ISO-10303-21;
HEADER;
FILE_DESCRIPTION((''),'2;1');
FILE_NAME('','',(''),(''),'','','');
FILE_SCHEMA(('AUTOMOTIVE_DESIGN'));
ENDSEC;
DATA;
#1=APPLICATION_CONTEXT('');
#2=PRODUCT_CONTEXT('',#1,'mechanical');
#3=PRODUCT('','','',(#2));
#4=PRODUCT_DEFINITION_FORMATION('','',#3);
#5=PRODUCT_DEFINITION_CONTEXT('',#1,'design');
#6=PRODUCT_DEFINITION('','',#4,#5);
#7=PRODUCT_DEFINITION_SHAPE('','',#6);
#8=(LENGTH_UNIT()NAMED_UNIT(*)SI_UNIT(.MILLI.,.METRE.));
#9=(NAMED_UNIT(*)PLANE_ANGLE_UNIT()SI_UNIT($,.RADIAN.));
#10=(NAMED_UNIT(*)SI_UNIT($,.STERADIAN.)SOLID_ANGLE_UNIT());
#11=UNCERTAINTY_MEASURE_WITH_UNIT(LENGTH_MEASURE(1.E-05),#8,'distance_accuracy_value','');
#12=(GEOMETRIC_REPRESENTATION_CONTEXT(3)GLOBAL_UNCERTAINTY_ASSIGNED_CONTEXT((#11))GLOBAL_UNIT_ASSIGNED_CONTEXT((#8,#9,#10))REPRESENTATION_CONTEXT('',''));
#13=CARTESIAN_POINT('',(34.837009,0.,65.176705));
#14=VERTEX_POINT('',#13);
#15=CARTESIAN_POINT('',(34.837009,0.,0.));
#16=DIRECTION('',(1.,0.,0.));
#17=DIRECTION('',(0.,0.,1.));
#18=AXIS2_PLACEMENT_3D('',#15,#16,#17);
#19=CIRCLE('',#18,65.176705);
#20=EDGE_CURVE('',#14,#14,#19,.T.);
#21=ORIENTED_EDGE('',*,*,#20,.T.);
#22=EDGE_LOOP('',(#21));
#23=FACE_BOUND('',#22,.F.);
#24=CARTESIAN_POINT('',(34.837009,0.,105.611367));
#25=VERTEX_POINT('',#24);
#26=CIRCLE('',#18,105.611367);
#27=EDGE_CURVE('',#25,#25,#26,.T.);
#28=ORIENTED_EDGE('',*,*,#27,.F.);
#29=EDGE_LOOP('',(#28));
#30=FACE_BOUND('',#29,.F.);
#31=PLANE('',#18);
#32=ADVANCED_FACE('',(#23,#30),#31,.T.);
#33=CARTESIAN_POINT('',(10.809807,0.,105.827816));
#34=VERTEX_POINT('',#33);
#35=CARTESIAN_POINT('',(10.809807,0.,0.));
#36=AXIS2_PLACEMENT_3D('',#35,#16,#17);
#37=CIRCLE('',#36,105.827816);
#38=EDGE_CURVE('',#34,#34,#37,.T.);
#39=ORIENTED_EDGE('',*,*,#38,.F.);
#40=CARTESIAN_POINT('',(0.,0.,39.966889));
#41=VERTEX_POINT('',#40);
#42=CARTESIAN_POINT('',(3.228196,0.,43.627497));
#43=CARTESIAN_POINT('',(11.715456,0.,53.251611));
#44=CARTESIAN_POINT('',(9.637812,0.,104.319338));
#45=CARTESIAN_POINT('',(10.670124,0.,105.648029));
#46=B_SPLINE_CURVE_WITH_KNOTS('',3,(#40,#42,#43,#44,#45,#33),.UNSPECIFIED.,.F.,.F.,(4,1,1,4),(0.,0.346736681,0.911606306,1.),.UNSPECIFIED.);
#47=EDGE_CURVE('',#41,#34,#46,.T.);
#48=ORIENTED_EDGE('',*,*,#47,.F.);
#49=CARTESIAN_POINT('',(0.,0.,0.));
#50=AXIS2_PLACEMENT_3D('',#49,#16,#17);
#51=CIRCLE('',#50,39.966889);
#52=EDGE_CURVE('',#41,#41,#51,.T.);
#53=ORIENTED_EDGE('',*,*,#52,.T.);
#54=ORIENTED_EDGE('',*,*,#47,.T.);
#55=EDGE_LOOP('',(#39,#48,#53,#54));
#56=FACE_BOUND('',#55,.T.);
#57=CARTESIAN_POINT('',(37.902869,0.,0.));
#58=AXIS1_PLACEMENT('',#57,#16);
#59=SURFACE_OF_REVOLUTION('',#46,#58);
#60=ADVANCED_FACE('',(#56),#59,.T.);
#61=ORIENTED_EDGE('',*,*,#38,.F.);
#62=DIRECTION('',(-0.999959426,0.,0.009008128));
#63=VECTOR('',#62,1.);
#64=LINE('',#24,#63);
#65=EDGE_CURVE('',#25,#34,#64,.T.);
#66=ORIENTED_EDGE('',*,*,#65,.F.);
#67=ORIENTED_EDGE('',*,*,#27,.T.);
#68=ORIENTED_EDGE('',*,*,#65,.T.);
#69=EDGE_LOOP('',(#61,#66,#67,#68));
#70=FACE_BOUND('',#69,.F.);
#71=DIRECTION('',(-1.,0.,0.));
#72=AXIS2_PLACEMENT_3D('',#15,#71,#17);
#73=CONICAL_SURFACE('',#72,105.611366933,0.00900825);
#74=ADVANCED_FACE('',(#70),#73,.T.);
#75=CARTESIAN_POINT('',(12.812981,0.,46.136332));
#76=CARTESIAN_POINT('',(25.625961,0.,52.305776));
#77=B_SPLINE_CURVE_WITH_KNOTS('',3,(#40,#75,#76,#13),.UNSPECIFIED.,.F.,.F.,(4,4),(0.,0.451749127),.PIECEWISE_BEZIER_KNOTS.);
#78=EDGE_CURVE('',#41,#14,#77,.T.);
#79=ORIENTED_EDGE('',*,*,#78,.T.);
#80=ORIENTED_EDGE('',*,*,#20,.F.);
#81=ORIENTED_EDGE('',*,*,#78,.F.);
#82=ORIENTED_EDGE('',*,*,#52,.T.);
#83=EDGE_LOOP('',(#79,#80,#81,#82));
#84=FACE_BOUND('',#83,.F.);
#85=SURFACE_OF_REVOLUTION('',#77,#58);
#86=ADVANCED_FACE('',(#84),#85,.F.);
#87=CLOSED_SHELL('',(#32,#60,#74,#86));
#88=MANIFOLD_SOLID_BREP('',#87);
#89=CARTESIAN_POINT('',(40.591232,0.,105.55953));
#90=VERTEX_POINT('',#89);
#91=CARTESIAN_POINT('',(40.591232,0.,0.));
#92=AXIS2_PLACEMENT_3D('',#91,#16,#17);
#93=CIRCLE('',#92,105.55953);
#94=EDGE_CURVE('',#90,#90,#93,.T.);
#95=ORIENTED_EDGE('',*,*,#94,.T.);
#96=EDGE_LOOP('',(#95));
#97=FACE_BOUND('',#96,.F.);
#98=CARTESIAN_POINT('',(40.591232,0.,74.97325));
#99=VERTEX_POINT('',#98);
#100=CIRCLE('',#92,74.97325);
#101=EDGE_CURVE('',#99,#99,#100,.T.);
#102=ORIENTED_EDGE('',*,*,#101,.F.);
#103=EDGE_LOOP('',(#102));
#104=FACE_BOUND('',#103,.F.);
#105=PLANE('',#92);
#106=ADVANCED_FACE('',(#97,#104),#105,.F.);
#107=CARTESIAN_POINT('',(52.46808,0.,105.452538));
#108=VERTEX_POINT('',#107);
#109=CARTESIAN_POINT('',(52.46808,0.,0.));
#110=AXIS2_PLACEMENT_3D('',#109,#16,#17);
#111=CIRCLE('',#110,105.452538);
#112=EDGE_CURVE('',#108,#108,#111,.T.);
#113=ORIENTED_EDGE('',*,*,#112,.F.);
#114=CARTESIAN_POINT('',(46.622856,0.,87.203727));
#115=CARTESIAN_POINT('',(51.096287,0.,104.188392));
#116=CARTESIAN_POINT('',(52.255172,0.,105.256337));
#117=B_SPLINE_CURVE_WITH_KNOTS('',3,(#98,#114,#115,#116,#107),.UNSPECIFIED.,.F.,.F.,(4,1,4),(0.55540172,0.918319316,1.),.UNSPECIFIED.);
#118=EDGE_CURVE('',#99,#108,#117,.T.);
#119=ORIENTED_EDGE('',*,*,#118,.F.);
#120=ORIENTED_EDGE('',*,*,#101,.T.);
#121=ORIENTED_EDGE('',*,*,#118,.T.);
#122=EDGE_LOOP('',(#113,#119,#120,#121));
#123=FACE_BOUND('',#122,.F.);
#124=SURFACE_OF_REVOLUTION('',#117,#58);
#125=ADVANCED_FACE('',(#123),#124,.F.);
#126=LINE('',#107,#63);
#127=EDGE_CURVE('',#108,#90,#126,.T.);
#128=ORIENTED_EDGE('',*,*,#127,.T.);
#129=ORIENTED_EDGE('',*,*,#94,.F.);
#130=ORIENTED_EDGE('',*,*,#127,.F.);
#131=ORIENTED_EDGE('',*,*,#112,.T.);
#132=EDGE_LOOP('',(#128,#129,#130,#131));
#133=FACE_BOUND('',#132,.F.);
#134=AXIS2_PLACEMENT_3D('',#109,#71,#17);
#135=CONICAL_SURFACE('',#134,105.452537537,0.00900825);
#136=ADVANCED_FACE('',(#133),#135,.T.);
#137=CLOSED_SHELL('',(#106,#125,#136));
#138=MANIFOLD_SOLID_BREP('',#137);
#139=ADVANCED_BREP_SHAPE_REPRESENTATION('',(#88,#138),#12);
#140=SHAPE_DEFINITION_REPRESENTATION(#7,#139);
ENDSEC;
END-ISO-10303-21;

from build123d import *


with BuildPart() as f1:
    # F0 (on Front) → F1 (revolve)
    with BuildSketch(Plane.XZ):
        with BuildLine():
            add(Edge.make_bspline(
                [(0, 39.9668887258), (3.2281963617, 43.6274968822), (11.7154557843, 53.2516112749), (9.6378120579, 104.3193382547), (10.6701239788, 105.648029349), (10.8098071069, 105.8278158307)],
                knots=[0, 0, 0, 0, 0.3467366807, 0.9116063061, 1, 1, 1, 1], degree=3))
            add(Edge.make_bspline(
                [(0, 39.9668887258), (12.812980549, 46.1363323304), (25.625961098, 52.3057759351), (34.8370088305, 65.1767049925)],
                knots=[0, 0, 0, 0, 0.4517491272, 0.4517491272, 0.4517491272, 0.4517491272], degree=3))
            Line((34.8370088305, 65.1767049925), (34.8370088305, 105.6113669327))
            Line((34.8370088305, 105.6113669327), (10.8098071069, 105.8278158307))
        make_face()
    revolve(axis=Axis((37.9028692842, 0, 0), (1, 0, 0)))


with BuildPart() as f1b:
    # F0 (on Front) → F1, piece 2 (revolve)
    with BuildSketch(Plane.XZ):
        with BuildLine():
            Line((40.5912317444, 105.5595300513), (40.5912317444, 74.9732504654))
            add(Edge.make_bspline(
                [(40.5912317444, 74.9732504654), (46.6228561766, 87.2037272928), (51.0962867375, 104.1883923905), (52.255172043, 105.2563369528), (52.4680800736, 105.4525375366)],
                knots=[0.5554017202, 0.5554017202, 0.5554017202, 0.5554017202, 0.9183193162, 1, 1, 1, 1], degree=3))
            Line((52.4680800736, 105.4525375366), (40.5912317444, 105.5595300513))
        make_face()
    revolve(axis=Axis((37.9028692842, 0, 0), (1, 0, 0)))


solid = Compound([f1.part, f1b.part])
